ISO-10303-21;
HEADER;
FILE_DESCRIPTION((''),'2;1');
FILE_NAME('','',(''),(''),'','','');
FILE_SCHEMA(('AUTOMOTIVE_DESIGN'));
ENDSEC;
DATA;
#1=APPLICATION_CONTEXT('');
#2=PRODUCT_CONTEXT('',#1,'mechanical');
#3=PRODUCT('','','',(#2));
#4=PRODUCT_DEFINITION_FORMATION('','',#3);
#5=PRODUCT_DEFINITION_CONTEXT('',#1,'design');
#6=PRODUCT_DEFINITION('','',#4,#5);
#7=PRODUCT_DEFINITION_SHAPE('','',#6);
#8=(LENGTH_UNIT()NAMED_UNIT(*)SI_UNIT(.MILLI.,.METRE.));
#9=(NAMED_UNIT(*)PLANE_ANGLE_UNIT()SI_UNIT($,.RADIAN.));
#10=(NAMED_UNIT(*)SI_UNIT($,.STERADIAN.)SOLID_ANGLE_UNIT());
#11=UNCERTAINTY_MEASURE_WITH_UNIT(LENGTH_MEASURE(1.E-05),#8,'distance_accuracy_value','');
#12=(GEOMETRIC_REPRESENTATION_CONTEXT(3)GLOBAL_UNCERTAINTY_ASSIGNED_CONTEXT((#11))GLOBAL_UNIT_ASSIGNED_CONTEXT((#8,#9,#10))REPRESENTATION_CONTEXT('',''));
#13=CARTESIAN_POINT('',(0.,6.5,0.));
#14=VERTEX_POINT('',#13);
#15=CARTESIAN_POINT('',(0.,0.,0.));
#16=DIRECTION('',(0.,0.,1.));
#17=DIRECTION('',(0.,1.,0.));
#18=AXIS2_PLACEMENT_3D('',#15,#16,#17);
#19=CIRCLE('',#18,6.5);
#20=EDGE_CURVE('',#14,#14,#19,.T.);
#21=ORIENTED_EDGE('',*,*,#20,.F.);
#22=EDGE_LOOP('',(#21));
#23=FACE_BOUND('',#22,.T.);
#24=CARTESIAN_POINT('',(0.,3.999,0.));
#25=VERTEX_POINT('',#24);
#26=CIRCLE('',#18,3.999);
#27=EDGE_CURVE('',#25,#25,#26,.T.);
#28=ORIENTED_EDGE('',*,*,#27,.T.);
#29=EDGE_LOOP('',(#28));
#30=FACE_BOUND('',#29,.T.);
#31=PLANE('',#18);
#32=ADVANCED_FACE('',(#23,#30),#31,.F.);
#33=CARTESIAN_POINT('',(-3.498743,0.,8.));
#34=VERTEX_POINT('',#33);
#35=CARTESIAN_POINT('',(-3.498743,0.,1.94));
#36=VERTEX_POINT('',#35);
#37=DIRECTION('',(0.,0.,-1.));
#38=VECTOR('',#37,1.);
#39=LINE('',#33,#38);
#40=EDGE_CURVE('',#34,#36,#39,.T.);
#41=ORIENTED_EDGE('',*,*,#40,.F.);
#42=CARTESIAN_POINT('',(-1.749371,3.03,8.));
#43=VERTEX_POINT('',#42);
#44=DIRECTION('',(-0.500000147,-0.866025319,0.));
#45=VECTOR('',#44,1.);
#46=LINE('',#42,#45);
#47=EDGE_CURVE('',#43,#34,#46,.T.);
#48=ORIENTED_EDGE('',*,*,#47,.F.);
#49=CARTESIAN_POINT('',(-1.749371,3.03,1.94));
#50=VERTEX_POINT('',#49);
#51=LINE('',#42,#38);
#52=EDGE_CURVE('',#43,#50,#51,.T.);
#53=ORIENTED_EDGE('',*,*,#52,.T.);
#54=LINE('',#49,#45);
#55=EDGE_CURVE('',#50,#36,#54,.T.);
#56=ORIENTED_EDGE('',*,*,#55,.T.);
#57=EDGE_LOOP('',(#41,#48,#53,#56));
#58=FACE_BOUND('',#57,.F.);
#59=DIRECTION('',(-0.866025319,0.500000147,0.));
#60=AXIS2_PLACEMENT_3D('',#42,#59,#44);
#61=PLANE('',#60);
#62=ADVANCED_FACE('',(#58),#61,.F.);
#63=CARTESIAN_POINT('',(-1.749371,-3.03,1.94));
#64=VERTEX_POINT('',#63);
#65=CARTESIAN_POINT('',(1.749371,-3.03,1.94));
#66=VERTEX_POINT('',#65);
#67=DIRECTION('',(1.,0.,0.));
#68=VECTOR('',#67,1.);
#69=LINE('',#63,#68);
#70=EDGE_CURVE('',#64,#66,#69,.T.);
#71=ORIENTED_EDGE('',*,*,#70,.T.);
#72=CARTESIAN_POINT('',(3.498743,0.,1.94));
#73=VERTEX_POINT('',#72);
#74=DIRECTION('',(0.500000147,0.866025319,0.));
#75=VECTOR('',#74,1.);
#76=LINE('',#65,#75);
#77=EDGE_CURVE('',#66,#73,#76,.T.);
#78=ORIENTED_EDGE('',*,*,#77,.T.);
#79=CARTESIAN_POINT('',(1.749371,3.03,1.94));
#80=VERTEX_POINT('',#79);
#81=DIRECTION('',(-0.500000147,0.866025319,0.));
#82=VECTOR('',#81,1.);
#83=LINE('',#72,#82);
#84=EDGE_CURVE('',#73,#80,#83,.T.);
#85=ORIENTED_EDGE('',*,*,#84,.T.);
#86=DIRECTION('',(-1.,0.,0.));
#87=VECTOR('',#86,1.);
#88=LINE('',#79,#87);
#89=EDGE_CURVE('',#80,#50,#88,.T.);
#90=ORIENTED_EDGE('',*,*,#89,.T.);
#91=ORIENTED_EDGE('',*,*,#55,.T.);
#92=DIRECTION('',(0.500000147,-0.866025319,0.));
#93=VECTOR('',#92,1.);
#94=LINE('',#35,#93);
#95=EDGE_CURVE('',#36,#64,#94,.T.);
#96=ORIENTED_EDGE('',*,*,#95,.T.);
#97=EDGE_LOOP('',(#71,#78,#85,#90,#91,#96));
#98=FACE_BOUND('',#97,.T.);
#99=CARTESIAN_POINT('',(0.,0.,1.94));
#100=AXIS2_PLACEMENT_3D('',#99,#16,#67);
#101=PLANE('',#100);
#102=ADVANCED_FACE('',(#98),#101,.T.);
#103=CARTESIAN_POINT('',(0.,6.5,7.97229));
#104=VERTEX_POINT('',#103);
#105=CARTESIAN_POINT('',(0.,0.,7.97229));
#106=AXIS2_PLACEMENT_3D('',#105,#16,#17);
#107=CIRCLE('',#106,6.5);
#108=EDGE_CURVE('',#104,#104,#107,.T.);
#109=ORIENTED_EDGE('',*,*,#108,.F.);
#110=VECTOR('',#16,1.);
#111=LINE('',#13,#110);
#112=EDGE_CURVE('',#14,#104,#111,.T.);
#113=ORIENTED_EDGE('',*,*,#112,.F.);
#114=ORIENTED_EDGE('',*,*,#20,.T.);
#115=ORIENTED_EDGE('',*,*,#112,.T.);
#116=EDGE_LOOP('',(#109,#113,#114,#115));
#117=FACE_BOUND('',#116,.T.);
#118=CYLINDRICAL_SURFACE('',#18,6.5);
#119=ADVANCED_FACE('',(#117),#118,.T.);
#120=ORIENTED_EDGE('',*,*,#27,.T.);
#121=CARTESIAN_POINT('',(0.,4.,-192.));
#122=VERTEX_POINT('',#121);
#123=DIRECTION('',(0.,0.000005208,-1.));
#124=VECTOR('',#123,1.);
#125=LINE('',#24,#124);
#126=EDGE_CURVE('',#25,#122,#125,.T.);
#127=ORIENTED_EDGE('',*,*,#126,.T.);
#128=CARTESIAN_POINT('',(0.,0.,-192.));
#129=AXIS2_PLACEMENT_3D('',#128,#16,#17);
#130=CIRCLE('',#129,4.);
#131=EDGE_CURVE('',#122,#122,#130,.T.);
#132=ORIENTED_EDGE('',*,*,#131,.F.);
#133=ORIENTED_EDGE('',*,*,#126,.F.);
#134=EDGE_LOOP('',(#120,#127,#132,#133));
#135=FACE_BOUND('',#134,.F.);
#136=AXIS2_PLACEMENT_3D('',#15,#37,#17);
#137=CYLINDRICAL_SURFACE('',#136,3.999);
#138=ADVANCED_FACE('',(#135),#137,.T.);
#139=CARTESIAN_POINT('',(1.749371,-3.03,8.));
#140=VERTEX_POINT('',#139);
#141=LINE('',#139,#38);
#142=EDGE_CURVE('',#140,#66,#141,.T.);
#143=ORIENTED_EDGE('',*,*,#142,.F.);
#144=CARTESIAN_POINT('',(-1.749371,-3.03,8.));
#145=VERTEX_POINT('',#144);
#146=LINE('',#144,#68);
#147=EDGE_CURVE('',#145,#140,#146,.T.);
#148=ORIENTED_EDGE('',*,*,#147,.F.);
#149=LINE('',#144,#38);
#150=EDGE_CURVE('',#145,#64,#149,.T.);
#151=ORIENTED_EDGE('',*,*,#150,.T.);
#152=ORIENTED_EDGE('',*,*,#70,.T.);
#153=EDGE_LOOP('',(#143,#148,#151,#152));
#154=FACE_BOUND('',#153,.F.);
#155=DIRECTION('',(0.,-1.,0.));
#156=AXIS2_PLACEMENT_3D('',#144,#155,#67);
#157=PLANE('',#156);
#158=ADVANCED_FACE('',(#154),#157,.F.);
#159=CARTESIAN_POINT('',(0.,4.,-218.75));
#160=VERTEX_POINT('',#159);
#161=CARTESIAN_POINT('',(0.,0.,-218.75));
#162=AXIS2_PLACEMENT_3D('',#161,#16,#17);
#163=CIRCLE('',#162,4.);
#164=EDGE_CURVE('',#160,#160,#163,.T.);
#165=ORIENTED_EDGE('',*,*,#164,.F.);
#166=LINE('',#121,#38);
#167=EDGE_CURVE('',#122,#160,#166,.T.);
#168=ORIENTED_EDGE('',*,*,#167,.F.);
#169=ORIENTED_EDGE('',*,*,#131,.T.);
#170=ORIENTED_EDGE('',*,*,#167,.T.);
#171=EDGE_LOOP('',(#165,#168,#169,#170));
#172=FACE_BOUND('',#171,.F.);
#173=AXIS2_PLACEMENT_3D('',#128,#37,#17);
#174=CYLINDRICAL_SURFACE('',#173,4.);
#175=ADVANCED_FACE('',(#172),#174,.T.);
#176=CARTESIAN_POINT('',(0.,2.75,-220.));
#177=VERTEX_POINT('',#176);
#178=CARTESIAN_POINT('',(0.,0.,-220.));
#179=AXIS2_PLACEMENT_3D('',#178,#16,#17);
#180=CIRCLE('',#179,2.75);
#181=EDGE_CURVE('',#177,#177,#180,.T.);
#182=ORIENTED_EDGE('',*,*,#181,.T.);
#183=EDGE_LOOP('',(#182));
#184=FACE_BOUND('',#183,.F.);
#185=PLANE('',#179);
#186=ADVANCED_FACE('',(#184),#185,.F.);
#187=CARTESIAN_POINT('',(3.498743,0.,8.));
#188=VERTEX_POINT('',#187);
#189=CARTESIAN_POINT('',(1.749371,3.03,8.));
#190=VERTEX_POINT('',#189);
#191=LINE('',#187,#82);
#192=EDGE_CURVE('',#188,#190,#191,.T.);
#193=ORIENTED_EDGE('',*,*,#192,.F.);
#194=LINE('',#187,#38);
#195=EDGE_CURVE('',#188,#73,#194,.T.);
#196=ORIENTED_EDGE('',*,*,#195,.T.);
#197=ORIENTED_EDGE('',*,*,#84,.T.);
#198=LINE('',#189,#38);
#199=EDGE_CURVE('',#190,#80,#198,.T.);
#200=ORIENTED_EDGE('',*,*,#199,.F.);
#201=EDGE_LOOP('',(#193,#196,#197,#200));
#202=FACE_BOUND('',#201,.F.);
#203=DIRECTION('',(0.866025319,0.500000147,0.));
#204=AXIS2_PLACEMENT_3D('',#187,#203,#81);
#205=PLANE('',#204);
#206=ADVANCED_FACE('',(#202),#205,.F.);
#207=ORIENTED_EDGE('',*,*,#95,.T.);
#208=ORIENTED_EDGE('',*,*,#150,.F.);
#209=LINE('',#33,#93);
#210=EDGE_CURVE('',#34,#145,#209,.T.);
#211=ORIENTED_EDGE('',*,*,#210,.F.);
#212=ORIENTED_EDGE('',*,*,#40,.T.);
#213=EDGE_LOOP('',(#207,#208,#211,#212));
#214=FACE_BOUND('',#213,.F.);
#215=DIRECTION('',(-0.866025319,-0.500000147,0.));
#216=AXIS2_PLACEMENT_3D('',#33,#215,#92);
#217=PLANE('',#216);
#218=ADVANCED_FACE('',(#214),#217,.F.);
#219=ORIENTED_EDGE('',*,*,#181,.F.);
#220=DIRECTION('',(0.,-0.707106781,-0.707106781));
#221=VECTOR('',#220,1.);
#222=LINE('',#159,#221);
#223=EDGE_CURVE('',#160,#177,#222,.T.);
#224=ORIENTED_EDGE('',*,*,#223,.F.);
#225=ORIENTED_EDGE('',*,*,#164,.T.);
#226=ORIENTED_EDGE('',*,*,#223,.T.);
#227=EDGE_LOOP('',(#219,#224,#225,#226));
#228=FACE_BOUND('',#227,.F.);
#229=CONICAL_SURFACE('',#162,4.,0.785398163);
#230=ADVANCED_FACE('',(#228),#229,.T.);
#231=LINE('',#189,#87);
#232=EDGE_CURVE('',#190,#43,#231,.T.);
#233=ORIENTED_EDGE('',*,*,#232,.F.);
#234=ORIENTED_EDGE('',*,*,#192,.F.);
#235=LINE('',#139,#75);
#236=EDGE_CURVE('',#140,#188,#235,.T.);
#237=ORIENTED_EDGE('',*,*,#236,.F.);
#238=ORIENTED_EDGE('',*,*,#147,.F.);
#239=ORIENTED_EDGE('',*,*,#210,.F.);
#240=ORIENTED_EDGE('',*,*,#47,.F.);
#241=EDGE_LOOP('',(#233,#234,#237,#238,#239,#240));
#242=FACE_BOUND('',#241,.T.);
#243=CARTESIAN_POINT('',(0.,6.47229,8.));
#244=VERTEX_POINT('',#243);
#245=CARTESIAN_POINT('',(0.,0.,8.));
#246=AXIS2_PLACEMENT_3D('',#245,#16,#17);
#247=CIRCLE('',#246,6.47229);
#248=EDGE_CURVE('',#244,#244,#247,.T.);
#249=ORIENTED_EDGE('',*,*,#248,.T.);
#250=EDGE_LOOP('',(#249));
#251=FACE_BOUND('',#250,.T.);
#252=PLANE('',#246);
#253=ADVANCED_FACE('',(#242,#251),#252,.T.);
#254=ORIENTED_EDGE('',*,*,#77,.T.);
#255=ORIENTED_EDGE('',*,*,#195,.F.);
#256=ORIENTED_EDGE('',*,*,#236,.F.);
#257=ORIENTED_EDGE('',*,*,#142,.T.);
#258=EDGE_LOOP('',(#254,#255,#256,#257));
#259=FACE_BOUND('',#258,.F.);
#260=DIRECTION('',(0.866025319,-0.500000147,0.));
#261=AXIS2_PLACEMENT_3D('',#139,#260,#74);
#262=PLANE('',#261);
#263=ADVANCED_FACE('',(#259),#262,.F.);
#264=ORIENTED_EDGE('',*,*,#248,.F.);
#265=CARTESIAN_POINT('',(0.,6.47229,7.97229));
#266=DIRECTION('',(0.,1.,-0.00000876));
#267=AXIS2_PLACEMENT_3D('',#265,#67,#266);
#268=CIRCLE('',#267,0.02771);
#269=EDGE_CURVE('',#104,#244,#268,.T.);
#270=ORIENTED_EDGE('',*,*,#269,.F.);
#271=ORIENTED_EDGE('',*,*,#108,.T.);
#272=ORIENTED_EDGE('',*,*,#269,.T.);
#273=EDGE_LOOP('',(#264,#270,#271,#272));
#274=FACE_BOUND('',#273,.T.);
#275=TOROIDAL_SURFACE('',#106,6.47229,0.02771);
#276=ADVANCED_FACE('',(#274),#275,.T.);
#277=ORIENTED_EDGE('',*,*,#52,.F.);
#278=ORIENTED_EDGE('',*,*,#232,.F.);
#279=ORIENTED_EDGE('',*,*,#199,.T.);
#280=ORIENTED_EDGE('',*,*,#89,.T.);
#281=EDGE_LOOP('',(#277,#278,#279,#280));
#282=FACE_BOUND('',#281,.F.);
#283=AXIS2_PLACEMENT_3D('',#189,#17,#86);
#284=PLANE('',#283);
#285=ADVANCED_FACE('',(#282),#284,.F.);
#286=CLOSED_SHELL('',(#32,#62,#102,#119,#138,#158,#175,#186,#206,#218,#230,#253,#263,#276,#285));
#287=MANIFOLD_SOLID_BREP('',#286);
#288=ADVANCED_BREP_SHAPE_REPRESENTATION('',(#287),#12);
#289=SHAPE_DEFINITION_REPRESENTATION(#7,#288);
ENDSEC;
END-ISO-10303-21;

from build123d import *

# Parameters (mm, degrees)
POCKET_DEPTH = 6.06


with BuildPart() as part:
    # Sketch → Revolve (revolve)
    with BuildSketch(Plane.YZ):
        with BuildLine():
            Line((3.999, 0), (6.5, 0))
            Line((6.5, 0), (6.5, 7.97229))
            ThreePointArc((6.5, 7.97229), (6.491884, 7.991884), (6.47229, 8))
            Line((6.47229, 8), (0, 8))
            Line((0, -220), (0, 8))
            Line((2.75, -220), (0, -220))
            Line((4, -218.75), (2.75, -220))
            Line((4, -192), (4, -218.75))
            Line((3.999, 0), (4, -192))
        make_face()
    revolve(axis=Axis((0, 0, 0), (0, 0, 1)))

    # Sketch001 → Pocket (cut)
    with BuildSketch(Plane.XY.offset(8)):
        Polygon((3.498743, 0), (1.749371, 3.03), (-1.749371, 3.03), (-3.498743, 0), (-1.749371, -3.03), (1.749371, -3.03), align=None)
    extrude(amount=-POCKET_DEPTH, mode=Mode.SUBTRACT)


solid = part.part
